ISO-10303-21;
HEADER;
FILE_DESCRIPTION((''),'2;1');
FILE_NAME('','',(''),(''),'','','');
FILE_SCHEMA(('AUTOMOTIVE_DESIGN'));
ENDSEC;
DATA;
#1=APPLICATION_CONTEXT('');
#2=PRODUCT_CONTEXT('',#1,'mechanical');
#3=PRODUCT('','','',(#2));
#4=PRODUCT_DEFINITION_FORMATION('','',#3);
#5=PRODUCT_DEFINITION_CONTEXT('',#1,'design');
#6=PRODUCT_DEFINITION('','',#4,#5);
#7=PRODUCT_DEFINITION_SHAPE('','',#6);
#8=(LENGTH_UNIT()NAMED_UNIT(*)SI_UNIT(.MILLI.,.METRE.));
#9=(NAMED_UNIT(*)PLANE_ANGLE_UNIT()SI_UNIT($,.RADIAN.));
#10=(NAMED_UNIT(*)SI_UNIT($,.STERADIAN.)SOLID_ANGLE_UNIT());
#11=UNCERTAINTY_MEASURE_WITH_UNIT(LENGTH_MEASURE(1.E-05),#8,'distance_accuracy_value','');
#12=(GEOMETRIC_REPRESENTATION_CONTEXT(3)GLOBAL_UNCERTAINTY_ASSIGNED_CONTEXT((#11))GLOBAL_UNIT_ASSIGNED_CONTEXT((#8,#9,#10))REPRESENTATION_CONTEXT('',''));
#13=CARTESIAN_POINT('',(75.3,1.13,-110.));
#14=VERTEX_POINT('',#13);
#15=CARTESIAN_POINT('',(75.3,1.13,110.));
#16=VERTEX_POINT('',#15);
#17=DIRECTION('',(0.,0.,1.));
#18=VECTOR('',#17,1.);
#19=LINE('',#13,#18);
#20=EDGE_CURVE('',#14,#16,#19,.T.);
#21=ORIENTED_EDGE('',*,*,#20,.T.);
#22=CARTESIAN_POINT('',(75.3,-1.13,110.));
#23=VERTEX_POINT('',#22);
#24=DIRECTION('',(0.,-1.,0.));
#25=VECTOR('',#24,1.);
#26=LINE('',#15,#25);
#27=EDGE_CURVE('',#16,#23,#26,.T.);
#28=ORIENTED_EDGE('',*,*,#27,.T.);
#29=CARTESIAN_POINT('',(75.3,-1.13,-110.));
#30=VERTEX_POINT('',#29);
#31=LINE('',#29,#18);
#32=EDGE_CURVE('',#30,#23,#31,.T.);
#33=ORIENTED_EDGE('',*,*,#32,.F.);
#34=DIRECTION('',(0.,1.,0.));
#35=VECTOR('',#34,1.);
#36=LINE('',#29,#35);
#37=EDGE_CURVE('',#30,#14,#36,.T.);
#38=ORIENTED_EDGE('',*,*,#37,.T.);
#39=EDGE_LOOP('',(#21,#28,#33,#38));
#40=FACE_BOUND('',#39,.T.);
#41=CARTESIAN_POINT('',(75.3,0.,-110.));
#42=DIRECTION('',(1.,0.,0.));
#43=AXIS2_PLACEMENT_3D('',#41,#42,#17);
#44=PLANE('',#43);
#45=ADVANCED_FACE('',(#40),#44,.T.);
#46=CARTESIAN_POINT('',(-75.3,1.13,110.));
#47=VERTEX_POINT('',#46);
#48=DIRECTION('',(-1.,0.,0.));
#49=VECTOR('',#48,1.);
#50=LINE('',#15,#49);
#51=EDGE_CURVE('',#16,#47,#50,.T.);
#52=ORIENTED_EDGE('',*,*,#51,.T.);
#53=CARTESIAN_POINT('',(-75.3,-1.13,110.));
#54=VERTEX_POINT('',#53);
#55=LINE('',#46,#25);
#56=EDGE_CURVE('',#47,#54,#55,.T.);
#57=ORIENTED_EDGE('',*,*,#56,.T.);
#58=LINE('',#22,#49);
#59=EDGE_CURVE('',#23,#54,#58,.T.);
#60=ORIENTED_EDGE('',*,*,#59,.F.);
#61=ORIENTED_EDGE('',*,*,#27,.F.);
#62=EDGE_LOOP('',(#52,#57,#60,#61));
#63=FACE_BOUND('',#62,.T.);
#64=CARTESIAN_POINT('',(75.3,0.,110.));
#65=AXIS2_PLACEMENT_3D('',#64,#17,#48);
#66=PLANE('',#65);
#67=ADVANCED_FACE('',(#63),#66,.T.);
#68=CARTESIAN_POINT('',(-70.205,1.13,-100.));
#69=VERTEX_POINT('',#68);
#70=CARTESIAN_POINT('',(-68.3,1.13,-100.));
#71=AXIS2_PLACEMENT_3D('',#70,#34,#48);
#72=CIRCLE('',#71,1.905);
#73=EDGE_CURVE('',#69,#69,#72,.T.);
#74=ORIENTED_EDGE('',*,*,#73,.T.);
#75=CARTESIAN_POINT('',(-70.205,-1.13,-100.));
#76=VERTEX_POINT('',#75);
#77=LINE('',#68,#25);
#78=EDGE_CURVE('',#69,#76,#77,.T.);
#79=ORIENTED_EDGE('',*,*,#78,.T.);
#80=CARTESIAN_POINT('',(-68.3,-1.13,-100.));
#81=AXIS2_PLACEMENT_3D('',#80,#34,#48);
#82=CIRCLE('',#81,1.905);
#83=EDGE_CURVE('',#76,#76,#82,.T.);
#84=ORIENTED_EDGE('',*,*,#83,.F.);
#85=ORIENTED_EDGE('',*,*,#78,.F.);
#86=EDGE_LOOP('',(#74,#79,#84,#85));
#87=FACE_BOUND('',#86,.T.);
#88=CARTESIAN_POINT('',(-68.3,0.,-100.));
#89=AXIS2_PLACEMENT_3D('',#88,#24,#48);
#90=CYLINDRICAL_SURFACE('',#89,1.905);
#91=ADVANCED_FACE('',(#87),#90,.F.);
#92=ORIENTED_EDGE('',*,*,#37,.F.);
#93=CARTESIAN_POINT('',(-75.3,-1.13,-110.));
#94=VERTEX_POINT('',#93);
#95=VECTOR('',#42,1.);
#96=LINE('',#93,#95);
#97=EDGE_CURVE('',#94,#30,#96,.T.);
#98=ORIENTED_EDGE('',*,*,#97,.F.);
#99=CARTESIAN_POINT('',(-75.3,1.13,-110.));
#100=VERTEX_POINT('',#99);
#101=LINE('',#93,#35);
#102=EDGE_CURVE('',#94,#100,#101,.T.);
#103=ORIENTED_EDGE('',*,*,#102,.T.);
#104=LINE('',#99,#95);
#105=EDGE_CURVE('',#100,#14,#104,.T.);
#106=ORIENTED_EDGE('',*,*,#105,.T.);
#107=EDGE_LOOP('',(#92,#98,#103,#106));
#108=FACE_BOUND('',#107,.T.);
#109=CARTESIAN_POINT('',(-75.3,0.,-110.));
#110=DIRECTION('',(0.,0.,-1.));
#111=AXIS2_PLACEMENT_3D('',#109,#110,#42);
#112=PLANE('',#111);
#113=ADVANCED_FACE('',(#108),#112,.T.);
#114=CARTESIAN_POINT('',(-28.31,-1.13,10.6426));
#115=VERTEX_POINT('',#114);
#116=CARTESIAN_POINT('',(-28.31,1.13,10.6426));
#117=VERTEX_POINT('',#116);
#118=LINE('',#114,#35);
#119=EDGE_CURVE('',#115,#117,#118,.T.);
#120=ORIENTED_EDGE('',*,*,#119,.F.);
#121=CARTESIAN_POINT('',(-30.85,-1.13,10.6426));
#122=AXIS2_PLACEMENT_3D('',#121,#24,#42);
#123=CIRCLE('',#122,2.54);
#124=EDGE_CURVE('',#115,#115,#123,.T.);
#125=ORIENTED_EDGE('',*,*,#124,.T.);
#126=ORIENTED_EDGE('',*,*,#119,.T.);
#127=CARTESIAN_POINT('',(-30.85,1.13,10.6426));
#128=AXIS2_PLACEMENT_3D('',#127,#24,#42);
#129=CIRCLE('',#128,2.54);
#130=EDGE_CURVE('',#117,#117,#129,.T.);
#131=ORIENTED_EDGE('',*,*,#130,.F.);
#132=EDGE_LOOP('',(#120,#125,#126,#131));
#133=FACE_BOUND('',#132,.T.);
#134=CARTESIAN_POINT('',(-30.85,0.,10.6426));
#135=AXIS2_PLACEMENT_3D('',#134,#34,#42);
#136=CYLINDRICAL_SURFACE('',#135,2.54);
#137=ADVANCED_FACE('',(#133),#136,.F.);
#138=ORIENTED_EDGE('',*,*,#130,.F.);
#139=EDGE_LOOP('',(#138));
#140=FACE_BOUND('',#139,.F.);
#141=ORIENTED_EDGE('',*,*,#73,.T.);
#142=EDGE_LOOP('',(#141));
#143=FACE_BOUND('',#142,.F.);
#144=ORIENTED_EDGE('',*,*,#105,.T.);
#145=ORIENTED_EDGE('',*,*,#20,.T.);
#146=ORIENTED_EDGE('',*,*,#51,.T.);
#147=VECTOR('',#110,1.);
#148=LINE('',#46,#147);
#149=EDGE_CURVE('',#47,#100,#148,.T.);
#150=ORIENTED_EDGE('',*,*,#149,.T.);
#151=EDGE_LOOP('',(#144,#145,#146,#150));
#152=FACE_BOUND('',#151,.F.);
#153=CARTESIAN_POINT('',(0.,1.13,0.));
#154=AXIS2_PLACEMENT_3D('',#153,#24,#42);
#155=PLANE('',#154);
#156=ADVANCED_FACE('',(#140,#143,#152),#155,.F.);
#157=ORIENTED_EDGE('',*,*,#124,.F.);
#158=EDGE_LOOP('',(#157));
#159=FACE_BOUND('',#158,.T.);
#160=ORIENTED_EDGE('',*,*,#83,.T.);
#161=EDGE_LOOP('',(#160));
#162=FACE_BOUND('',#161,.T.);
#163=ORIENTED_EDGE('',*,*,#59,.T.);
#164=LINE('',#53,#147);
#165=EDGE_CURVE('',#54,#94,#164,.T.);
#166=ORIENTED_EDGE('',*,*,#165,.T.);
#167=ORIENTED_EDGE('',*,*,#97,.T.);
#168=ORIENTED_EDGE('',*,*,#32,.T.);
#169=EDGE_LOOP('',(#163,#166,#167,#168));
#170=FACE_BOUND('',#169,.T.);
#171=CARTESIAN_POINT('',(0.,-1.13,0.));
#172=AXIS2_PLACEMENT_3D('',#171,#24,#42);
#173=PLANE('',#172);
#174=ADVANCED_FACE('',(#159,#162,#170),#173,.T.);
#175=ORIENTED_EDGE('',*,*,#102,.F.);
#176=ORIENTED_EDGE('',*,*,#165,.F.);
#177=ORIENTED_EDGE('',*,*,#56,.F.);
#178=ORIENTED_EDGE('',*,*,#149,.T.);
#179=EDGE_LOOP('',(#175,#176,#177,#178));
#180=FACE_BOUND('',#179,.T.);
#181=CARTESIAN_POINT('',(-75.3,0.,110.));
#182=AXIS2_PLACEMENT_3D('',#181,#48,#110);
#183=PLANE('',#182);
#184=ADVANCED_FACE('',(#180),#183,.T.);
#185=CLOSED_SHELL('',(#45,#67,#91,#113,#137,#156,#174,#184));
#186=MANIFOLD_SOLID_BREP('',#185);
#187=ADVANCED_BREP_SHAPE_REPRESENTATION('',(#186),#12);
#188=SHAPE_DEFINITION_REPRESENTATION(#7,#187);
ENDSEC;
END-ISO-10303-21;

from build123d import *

# Parameters (mm, degrees)
F0_R     = 2.54
F1_DEPTH = 1.13


with BuildPart() as f1:
    # F0 (on Front) → F1 (new body, symmetric)
    with BuildSketch(Plane.XZ):
        Polygon((75.3, -110), (75.3, 110), (-75.3, 110), (-75.3, -100), (-75.3, -110), align=None)
        with BuildLine():
            ThreePointArc((-66.395, -100), (-68.3, -101.905), (-70.205, -100))
            ThreePointArc((-70.205, -100), (-68.3, -98.095), (-66.395, -100))
        make_face(mode=Mode.SUBTRACT)
        with Locations((-30.85, 10.6426)):
            Circle(F0_R, mode=Mode.SUBTRACT)
    extrude(amount=F1_DEPTH, both=True)


solid = f1.part
